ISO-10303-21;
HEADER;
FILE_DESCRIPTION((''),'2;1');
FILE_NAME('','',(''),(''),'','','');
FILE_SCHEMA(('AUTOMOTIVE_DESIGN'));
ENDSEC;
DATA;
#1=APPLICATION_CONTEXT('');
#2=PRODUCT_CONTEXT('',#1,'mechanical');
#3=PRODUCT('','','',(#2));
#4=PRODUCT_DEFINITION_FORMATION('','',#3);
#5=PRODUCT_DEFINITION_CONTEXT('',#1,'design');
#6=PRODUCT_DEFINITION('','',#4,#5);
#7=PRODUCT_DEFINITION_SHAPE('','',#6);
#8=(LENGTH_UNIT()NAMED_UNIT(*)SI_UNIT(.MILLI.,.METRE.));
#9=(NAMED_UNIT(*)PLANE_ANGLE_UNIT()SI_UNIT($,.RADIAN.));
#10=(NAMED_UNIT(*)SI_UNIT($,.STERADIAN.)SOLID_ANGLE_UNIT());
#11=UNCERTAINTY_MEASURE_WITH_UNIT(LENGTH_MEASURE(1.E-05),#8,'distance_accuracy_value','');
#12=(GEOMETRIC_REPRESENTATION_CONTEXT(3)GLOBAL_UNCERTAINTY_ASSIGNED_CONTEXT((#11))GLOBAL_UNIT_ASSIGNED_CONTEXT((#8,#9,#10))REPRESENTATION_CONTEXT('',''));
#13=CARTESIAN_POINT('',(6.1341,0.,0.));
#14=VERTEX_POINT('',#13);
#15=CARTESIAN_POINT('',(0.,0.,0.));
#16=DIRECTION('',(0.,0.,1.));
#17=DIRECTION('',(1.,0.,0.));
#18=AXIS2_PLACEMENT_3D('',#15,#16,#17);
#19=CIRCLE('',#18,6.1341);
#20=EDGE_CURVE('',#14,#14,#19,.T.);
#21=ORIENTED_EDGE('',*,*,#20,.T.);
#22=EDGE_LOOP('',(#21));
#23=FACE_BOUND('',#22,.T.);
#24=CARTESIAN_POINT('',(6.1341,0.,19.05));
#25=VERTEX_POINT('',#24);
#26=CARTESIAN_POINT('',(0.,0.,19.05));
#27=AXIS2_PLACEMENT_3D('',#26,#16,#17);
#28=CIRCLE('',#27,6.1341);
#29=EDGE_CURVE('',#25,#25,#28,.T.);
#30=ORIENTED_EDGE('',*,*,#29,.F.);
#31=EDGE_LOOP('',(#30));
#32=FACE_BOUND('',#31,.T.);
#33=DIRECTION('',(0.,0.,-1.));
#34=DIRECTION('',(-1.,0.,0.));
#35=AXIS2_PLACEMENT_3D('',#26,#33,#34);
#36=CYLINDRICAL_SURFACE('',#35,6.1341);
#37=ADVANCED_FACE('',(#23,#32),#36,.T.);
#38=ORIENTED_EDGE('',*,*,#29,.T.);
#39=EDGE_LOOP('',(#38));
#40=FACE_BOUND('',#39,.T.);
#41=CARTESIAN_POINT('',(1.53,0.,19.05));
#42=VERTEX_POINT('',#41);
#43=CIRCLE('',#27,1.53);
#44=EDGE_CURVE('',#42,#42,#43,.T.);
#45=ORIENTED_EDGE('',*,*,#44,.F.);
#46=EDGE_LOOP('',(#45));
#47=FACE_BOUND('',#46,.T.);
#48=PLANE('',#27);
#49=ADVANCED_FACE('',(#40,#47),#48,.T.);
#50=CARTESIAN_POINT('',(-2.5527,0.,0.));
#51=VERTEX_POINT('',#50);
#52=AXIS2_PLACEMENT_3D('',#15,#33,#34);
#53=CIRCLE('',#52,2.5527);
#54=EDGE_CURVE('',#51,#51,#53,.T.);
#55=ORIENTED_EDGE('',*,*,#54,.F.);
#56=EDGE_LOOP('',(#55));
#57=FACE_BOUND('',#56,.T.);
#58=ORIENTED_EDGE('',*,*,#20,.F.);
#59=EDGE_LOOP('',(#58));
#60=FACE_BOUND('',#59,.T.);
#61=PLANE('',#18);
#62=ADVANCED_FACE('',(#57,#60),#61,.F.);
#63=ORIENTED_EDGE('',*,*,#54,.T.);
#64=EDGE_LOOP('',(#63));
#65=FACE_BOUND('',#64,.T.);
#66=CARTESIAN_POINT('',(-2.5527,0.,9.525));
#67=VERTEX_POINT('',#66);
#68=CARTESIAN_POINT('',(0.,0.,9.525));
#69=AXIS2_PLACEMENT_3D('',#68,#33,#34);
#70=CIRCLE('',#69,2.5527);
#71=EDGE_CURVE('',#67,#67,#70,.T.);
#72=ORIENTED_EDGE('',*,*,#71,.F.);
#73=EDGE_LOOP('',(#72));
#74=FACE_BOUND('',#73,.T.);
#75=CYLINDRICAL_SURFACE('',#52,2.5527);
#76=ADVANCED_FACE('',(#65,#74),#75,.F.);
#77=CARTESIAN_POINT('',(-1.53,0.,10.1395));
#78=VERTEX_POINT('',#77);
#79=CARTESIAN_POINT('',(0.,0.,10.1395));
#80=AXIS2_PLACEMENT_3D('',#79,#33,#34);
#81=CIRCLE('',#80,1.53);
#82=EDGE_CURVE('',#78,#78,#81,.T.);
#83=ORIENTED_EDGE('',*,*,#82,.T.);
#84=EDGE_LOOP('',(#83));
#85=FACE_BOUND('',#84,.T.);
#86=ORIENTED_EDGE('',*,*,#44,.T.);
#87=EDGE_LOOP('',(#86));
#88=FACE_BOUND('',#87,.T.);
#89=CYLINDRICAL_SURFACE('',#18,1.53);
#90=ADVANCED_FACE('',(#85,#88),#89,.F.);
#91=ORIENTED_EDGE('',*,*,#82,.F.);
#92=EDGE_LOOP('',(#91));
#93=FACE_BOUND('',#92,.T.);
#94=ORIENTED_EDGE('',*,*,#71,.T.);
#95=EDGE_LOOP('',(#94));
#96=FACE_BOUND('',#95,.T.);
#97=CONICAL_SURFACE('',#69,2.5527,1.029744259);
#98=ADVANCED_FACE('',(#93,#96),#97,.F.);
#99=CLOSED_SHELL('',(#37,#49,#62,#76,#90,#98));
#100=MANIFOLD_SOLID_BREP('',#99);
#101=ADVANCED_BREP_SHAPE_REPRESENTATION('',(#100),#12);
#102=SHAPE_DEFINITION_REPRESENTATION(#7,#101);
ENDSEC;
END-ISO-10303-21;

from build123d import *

# Parameters (mm, degrees)
SKETCH1_R                   = 6.1341
BOSS_EXTRUDE1_DEPTH         = 19.05
SKETCH2_R                   = 1.53
CUT_EXTRUDE1_DEPTH          = 20.05
F_1_4_20_TAPPED_HOLE1_D     = 5.1054
F_1_4_20_TAPPED_HOLE1_DEPTH = 9.525
F_1_4_20_TAPPED_HOLE1_TIP   = 1.533816902


with BuildPart() as part:
    # Sketch1 → Boss-Extrude1 (new body)
    with BuildSketch(Plane.XY):
        Circle(SKETCH1_R)
    extrude(amount=BOSS_EXTRUDE1_DEPTH)

    # Sketch2 → Cut-Extrude1 (cut, through all)
    with BuildSketch(Plane.XY.offset(19.05)):
        Circle(SKETCH2_R)
    extrude(amount=-CUT_EXTRUDE1_DEPTH, mode=Mode.SUBTRACT)

    # 1/4-20 Tapped Hole1
    with Locations(Plane(origin=(0, 0, 0), x_dir=(-1, 0, 0), z_dir=(0, 0, -1))):
        with Locations((0, 0)):
            Hole(F_1_4_20_TAPPED_HOLE1_D / 2, depth=F_1_4_20_TAPPED_HOLE1_DEPTH)
            with Locations((0, 0, -(F_1_4_20_TAPPED_HOLE1_DEPTH + F_1_4_20_TAPPED_HOLE1_TIP / 2))):  # 118° drill point
                Cone(0, F_1_4_20_TAPPED_HOLE1_D / 2, F_1_4_20_TAPPED_HOLE1_TIP, mode=Mode.SUBTRACT)


solid = part.part
